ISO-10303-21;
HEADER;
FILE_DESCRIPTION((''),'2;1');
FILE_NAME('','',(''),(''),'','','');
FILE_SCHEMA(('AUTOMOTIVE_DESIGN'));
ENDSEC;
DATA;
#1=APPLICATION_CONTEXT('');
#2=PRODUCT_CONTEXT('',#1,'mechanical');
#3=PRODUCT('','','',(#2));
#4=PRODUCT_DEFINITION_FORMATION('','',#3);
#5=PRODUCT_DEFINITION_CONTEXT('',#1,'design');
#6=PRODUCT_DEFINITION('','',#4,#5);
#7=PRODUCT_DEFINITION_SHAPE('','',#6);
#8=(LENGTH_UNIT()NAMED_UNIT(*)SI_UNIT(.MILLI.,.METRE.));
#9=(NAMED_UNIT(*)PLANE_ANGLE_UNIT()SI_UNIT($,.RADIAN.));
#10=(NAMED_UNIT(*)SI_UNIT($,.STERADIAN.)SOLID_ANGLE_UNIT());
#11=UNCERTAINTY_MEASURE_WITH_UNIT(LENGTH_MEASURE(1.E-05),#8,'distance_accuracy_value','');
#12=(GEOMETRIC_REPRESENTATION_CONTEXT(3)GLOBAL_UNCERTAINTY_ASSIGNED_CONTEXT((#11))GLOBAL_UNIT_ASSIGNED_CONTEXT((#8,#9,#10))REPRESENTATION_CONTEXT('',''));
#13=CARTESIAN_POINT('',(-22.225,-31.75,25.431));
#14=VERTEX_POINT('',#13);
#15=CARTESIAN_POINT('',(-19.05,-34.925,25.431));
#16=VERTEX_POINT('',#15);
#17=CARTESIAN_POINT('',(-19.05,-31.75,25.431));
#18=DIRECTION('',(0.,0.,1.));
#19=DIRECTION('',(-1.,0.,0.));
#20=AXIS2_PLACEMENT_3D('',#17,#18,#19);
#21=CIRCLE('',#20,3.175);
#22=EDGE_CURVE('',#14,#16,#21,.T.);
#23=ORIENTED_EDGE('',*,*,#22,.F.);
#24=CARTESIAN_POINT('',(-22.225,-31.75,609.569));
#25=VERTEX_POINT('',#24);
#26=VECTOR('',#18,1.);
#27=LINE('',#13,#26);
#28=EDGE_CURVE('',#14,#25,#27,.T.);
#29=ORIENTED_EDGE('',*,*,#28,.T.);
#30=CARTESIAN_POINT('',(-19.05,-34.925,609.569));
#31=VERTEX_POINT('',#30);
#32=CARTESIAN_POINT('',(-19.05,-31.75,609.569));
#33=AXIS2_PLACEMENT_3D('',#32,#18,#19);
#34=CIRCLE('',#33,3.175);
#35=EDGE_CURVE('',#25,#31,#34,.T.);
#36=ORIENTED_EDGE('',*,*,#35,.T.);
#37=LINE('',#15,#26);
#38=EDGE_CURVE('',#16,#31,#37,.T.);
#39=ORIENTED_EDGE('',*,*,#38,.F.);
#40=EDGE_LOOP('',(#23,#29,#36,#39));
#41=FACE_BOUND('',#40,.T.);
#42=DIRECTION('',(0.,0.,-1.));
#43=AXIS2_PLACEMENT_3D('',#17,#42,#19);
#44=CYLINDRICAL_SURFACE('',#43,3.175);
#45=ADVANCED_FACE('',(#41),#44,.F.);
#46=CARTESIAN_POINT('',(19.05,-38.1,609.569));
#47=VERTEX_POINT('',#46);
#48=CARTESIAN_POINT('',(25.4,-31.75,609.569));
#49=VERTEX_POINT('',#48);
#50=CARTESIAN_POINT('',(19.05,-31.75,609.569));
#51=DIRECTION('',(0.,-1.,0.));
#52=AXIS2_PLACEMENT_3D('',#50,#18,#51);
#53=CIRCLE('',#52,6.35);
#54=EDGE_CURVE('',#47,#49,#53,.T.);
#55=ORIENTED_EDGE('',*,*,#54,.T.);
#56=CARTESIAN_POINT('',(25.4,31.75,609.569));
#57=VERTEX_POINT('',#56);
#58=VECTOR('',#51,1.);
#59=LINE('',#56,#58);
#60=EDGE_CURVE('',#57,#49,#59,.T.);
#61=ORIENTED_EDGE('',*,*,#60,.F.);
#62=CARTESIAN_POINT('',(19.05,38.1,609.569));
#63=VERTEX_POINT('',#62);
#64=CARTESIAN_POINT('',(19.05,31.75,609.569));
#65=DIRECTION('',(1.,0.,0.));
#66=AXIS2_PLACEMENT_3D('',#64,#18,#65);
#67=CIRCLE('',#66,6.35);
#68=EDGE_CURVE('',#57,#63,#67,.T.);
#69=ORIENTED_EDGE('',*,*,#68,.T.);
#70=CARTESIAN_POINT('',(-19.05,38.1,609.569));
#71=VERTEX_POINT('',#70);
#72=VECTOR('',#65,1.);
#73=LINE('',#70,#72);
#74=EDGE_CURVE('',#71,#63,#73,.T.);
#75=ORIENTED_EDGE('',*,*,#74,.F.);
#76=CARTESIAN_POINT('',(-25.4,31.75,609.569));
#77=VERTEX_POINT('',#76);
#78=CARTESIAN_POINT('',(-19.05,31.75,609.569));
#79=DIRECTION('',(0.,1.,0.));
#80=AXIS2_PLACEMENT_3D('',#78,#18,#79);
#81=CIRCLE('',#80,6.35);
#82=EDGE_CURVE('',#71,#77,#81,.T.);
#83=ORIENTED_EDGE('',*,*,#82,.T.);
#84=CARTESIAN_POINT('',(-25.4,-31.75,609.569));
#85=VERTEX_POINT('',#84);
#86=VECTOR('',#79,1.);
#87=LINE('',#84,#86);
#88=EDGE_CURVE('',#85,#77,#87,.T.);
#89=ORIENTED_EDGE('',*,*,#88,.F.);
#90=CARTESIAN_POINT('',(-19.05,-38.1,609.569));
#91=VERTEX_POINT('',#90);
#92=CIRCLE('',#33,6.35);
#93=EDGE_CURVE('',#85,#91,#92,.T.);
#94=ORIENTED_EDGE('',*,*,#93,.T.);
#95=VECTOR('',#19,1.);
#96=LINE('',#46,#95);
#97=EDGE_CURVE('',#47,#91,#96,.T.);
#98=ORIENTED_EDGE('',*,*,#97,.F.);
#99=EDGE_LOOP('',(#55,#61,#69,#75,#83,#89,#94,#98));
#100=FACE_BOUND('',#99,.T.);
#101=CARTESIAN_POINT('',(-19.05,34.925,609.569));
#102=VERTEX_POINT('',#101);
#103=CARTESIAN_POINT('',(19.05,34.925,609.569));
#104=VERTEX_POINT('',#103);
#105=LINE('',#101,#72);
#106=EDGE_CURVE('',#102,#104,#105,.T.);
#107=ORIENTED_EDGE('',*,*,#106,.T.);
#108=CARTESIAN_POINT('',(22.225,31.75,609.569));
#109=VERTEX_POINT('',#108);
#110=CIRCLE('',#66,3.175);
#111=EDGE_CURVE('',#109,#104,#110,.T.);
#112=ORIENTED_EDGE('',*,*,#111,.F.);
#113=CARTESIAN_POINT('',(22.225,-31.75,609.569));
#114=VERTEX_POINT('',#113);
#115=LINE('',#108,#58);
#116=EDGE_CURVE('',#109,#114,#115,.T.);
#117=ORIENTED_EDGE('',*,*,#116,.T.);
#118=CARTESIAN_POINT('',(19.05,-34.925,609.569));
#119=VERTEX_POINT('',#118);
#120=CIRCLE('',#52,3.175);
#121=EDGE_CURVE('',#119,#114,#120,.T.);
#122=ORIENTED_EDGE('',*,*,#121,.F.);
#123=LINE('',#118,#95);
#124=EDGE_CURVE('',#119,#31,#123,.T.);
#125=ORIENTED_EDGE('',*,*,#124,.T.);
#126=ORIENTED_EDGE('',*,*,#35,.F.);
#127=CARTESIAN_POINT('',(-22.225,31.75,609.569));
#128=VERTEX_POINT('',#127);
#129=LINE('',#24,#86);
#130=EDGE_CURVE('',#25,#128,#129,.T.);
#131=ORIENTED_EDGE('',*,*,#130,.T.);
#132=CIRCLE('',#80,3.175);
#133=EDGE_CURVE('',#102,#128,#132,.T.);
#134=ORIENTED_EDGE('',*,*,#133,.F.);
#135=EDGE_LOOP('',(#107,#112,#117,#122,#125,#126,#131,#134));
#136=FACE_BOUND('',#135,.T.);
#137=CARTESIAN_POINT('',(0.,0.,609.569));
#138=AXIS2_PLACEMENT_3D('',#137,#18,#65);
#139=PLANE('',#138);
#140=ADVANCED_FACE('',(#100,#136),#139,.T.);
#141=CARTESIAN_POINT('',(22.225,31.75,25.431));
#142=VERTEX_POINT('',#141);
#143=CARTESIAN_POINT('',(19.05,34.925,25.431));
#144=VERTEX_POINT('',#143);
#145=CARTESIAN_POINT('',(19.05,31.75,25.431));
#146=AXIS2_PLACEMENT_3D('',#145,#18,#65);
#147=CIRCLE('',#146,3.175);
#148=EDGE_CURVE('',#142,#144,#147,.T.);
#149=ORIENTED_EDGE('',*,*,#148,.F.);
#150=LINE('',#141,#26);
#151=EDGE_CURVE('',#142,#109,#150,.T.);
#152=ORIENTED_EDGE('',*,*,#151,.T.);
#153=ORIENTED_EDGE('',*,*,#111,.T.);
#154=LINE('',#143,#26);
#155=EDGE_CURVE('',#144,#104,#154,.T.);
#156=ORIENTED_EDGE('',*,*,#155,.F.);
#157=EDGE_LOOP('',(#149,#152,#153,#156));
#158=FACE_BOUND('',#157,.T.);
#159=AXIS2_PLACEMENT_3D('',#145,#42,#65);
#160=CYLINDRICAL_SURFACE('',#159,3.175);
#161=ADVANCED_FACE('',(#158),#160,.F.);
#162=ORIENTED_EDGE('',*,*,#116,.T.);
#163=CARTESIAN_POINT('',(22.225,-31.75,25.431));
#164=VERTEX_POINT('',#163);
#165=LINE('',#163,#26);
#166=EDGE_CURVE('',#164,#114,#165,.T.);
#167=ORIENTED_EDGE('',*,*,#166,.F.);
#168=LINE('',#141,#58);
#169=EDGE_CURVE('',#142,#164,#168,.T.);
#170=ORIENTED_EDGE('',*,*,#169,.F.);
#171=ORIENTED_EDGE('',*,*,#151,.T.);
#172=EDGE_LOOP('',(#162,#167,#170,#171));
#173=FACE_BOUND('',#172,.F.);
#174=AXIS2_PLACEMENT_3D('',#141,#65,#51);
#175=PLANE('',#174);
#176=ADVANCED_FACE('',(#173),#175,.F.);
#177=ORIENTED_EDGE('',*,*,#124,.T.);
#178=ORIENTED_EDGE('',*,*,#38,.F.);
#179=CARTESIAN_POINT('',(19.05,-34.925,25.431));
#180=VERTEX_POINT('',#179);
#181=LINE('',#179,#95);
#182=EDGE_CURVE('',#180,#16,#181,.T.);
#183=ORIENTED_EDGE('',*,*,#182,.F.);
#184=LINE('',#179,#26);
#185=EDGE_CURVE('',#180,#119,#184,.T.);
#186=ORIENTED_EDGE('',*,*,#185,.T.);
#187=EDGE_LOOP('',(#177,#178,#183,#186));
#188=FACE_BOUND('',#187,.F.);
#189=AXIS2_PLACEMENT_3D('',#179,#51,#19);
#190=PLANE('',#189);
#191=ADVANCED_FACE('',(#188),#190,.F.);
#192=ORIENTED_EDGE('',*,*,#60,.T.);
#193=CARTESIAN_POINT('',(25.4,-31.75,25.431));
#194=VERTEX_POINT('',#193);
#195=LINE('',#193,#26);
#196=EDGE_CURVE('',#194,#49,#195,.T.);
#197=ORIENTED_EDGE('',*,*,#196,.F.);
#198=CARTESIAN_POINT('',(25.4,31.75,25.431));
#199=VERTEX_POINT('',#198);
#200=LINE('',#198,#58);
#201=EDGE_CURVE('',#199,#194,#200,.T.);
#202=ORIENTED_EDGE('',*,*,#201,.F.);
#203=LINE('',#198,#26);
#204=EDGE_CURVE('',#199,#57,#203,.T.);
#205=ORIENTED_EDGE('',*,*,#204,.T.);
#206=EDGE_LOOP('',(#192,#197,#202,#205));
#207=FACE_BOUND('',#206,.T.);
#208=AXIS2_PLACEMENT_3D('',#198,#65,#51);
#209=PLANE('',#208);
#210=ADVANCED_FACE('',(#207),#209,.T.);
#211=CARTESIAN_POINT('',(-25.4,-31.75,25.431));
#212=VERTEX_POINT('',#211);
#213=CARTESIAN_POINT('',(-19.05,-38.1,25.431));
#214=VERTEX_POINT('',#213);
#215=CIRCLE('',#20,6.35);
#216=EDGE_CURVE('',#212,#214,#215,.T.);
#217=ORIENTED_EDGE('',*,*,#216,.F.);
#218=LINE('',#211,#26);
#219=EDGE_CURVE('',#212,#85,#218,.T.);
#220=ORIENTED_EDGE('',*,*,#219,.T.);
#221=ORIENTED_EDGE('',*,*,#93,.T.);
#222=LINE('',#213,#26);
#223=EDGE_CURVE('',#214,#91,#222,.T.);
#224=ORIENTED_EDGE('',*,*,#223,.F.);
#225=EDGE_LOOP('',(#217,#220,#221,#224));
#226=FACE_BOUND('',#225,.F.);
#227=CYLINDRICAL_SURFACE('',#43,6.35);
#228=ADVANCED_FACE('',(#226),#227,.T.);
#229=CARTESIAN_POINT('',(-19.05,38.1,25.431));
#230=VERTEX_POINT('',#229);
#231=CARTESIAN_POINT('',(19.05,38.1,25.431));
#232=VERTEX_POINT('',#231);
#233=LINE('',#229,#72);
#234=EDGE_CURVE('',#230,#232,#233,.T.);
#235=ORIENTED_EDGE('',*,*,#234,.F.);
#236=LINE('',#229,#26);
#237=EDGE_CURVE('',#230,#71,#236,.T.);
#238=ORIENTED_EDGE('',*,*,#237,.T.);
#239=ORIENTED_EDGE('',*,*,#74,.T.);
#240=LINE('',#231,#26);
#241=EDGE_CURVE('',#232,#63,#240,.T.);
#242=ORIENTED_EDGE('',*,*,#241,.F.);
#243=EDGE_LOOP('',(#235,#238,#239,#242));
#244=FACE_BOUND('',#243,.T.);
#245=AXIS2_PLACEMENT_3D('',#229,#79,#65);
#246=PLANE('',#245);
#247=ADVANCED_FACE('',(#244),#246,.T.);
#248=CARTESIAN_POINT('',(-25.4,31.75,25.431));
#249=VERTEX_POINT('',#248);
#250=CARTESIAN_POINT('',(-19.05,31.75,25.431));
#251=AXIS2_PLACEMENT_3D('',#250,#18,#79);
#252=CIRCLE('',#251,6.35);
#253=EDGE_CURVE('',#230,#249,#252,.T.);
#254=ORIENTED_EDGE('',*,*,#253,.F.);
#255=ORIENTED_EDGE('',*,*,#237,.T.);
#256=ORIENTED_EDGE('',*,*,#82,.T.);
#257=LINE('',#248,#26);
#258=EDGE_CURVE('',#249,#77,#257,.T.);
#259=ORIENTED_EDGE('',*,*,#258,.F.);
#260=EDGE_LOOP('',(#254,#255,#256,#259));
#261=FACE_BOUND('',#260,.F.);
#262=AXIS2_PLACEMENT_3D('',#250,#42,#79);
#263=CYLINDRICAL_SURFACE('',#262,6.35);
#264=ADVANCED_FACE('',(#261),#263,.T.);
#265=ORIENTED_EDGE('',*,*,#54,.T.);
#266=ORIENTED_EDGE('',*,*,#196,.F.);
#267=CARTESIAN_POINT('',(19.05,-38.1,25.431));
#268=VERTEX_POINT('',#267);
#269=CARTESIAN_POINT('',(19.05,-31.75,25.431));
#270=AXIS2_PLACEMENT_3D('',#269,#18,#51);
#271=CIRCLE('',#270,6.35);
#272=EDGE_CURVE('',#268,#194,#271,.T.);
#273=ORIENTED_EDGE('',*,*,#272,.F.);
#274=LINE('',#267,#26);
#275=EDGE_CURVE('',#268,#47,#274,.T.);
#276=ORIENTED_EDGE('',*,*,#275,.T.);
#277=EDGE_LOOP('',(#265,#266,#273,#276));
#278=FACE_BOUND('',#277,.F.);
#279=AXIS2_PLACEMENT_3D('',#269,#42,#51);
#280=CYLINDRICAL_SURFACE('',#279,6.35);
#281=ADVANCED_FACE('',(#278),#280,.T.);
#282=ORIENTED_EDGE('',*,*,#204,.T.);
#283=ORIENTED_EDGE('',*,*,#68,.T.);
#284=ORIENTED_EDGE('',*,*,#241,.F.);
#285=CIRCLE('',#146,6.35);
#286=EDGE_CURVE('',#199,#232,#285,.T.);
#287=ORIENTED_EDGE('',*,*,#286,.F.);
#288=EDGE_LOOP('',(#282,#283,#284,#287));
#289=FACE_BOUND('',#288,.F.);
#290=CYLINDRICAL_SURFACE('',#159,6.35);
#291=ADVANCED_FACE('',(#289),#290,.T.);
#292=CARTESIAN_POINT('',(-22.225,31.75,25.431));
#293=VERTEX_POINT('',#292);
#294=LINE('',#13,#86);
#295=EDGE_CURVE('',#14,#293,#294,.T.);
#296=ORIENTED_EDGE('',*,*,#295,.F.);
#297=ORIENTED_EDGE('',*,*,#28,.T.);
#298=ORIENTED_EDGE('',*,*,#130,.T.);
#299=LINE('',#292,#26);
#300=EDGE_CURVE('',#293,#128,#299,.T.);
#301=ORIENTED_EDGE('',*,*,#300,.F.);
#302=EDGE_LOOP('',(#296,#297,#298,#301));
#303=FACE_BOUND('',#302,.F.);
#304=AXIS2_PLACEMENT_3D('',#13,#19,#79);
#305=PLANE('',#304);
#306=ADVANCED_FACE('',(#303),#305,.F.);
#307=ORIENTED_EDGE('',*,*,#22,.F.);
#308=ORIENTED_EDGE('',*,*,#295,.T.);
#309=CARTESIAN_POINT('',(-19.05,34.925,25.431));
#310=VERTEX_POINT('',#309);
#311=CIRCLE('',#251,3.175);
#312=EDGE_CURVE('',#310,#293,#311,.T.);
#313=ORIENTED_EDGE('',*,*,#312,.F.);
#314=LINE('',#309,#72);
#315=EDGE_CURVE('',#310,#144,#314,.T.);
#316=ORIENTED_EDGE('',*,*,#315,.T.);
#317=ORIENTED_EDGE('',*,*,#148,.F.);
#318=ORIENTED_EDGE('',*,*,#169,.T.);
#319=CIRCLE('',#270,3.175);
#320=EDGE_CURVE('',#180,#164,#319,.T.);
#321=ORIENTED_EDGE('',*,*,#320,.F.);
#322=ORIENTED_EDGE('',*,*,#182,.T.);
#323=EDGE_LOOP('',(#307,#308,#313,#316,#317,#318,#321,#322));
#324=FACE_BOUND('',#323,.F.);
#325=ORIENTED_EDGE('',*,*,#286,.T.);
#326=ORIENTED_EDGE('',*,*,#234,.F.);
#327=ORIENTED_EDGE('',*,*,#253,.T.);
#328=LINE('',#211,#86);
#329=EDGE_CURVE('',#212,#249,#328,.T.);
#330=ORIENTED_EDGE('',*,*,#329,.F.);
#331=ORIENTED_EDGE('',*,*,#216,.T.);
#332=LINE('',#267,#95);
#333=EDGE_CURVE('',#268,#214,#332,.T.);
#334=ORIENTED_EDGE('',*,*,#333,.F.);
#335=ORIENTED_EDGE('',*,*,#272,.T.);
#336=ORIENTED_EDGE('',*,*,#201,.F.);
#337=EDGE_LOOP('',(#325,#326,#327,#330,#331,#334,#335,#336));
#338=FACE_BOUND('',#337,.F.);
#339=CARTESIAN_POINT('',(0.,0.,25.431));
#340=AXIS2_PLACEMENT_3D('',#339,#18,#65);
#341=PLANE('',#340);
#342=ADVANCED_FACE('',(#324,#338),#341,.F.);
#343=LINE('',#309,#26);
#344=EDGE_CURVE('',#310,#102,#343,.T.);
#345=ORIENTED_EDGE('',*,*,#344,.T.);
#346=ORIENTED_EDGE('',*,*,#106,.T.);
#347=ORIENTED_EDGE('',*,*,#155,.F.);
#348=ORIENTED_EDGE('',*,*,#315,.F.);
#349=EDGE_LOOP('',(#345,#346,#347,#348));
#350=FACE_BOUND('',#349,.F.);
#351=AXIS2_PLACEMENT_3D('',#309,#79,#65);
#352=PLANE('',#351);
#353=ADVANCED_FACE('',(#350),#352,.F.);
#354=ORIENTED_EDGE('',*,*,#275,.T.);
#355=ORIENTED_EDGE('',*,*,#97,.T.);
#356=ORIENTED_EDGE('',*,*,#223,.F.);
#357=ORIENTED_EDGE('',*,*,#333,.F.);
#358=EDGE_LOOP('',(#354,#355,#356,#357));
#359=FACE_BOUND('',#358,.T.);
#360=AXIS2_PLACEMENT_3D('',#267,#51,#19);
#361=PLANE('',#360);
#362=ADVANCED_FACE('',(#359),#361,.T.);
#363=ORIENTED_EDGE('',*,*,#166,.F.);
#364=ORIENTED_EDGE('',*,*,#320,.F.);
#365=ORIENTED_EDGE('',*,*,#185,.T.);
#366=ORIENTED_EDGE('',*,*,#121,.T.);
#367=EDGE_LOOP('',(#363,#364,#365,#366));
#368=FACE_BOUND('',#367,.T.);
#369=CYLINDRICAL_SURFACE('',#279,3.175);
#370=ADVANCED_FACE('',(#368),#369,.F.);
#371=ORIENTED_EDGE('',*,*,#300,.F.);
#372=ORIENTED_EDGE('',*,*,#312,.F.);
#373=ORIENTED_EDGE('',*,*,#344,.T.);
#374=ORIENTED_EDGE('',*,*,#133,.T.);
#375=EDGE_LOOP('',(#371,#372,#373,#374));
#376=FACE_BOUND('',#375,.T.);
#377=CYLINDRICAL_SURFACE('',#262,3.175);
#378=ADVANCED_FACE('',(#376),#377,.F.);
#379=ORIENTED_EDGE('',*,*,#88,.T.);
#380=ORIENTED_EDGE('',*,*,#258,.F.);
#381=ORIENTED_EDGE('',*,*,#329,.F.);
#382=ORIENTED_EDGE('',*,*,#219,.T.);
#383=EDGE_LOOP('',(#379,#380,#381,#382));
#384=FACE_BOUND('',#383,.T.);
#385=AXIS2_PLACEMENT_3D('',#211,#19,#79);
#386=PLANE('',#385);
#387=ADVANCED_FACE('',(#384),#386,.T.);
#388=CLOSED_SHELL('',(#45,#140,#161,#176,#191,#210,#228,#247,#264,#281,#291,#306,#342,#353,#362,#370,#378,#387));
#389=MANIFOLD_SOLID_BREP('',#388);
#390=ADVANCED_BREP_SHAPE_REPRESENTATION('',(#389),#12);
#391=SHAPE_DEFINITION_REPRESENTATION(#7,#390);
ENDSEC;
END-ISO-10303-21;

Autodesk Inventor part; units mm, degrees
ref_plane "Start Plane" through (0, 0, 25.431) normal (0, 0, 1) x (1, 0, 0)
ref_plane "End Plane" through (0, 0, 609.569) normal (0, 0, 1) x (1, 0, 0)
sketch "Sketch" plane through (0, 0, 0) normal (0, 0, 1) x (1, 0, 0)
  line L0 (-25.4, -31.75) -> (-25.4, 31.75)
  line L1 (-19.05, 38.1) -> (19.05, 38.1)
  line L2 (25.4, 31.75) -> (25.4, -31.75)
  line L3 (19.05, -38.1) -> (-19.05, -38.1)
  arc A0 (-25.4, -31.75) -> (-19.05, -38.1) centre (-19.05, -31.75) ccw
  arc A1 (-19.05, 38.1) -> (-25.4, 31.75) centre (-19.05, 31.75) ccw
  arc A2 (25.4, 31.75) -> (19.05, 38.1) centre (19.05, 31.75) ccw
  arc A3 (19.05, -38.1) -> (25.4, -31.75) centre (19.05, -31.75) ccw
  arc A4 (-19.05, 34.925) -> (-22.225, 31.75) centre (-19.05, 31.75) ccw
  line L4 (-19.05, 34.925) -> (19.05, 34.925)
  arc A5 (22.225, 31.75) -> (19.05, 34.925) centre (19.05, 31.75) ccw
  line L5 (22.225, 31.75) -> (22.225, -31.75)
  arc A6 (19.05, -34.925) -> (22.225, -31.75) centre (19.05, -31.75) ccw
  line L6 (19.05, -34.925) -> (-19.05, -34.925)
  arc A7 (-22.225, -31.75) -> (-19.05, -34.925) centre (-19.05, -31.75) ccw
  line L7 (-22.225, -31.75) -> (-22.225, 31.75)
  line L8 (0, 55.1812) -> (0, -55.1812) construction
  line L9 (-37.4012, 0) -> (37.4012, 0) construction
  dimension "d10" = 76.2
  dimension "d11" = 50.8
  dimension "d12" = 3.175
  dimension "d15" = 38.1
  dimension "d16" = 25.4
  dimension "d17" = 6.35
extrude "Body" add sketch "Sketch" along normal up to surface (584.138 mm away) from surface at 25.431
sketch "Sketch3" plane through (0, 0, 0) normal (0, 0, 1) x (1, 0, 0)
  line L0 (0, 0) -> (10, 0)
ref_plane "Work Plane3" through (0, 0, 0) normal (0, -1, 0) x (1, 0, 0)
ref_plane "Work Plane4" through (1282.7, 31.75, 25.431) normal (0, 0, -1) x (-1, 0, 0)
split "Split1" plane through (1282.7, 31.75, 25.431) removes the side toward (0, 0, -1)
ref_plane "Work Plane5" through (-1282.7, 31.75, 609.569) normal (0, 0, 1) x (1, 0, 0)
split "Split2" plane through (-1282.7, 31.75, 609.569) removes the side toward (0, 0, 1)
sketch "Sketch4" plane through (0, 0, 0) normal (0, -1, 0) x (1, 0, 0)
  line L0 (-2, 25.431) -> (12, 25.431) projected
  line L1 (-2, 609.569) -> (12, 609.569) projected
  dimension "d19" = 584.138
equation "\"d10\" = G_H"
equation "\"d11\" = G_W"
equation "\"d12\" = G_T"
equation "\"d15\" = 0.5 * d10"
equation "\"d16\" = 0.5 * d11"
equation "\"d17\" = G_IR"
equation "\"d3\" = G_L"
equation "\"G_W\" = 50.8"
equation "\"G_H\" = 76.2"
equation "\"G_T\" = 3.175"
equation "\"G_IR\" = 6.35"
equation "\"G_L\" = d19"
equation "\"G_OFFSET_START\" = -25.431"
equation "\"G_OFFSET_END\" = -50.831"
equation "\"d13\" = -G_OFFSET_START"
equation "\"d14\" = G_OFFSET_END + B_L"
equation "\"B_L\" = 660.4"
properties part number "AISC - 3 x 2 x 1/8 - 22.998" material "Steel, Mild"
